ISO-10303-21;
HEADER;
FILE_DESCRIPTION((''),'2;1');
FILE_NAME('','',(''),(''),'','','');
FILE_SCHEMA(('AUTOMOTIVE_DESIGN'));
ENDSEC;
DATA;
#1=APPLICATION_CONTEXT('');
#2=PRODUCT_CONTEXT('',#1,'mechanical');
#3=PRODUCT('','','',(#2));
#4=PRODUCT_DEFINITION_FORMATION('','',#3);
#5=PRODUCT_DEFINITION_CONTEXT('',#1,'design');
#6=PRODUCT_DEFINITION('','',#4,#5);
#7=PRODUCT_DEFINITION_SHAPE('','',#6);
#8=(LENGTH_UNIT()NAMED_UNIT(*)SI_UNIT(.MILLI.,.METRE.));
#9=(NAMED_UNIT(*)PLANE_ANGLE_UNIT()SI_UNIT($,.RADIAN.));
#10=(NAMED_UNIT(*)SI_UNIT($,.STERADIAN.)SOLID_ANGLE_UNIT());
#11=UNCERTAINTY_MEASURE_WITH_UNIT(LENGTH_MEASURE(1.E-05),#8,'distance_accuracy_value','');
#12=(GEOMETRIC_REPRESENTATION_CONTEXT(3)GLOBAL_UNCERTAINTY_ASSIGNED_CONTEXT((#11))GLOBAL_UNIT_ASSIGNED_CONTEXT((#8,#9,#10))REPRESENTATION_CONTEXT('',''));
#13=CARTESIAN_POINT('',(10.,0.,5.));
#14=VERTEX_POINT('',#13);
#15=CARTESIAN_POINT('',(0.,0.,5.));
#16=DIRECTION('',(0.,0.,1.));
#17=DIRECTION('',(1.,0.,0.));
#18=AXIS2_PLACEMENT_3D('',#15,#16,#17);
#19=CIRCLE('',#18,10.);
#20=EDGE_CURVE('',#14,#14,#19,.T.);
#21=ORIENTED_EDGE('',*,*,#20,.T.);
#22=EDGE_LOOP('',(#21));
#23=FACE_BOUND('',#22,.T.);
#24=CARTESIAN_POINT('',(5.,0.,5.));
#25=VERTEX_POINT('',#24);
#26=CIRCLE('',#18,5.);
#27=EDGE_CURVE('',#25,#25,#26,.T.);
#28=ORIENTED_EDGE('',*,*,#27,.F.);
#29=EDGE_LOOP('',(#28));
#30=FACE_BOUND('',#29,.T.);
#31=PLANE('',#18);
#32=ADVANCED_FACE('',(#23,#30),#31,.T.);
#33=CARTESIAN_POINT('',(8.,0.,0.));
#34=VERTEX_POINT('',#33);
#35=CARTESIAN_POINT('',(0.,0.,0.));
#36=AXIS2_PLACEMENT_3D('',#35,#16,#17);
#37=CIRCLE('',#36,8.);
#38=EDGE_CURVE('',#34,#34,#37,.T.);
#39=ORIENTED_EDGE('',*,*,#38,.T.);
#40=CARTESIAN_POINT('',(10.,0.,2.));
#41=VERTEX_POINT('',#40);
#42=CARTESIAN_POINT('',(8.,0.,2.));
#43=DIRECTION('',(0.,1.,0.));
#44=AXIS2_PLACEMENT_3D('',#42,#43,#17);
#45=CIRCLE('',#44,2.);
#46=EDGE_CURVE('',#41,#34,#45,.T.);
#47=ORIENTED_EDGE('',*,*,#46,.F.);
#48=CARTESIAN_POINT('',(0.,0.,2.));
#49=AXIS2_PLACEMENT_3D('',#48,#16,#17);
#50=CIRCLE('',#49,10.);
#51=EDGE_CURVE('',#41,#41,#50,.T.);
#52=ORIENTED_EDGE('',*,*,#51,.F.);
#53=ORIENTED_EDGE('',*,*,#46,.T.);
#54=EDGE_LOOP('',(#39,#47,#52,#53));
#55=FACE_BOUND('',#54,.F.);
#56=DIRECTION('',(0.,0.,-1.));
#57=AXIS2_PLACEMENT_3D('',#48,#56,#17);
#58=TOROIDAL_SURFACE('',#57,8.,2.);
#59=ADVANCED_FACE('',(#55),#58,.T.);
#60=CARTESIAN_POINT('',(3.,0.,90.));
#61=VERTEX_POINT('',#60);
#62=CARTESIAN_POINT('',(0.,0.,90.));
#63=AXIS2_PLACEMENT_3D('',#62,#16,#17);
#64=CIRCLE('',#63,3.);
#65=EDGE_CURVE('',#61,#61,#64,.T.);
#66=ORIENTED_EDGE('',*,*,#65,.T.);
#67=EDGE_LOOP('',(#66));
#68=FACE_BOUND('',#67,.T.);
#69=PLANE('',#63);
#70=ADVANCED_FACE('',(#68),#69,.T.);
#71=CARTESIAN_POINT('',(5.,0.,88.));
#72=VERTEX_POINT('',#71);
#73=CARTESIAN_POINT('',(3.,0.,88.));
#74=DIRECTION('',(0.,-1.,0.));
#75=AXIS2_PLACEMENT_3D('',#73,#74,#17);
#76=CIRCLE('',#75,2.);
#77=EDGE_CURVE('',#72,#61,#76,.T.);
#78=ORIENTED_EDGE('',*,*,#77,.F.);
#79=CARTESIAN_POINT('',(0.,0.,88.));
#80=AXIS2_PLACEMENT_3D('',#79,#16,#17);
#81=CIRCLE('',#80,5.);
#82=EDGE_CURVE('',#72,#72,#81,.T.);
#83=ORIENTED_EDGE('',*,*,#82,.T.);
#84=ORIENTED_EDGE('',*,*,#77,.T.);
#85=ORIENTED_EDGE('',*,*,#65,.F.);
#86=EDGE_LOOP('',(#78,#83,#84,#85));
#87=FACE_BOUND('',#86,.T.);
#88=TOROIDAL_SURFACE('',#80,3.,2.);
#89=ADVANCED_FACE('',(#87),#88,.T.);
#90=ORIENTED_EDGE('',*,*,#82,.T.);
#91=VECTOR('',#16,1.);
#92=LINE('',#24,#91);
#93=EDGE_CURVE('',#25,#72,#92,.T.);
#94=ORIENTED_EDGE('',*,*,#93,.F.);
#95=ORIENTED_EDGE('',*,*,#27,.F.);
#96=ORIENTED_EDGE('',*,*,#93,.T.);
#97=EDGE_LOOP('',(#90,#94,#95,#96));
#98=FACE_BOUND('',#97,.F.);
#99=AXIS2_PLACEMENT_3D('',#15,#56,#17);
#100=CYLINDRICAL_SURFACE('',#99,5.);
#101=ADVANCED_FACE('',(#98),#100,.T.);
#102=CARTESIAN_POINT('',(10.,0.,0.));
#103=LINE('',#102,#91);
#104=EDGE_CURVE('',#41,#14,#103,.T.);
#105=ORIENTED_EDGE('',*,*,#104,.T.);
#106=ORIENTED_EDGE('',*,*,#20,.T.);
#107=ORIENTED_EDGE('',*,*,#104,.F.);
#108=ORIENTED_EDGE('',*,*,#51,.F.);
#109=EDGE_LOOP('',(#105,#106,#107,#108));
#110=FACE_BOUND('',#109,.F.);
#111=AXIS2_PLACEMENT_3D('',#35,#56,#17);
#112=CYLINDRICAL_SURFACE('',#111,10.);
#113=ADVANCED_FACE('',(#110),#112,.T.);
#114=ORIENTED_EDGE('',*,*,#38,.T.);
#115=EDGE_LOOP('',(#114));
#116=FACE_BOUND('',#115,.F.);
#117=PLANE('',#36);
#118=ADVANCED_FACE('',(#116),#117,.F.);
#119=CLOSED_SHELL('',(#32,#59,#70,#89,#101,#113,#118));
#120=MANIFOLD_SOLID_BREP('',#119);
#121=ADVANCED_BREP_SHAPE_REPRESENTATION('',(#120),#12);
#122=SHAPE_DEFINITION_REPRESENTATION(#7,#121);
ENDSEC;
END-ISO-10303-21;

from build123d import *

# Parameters (mm, degrees)
F0_R     = 10
F1_DEPTH = 5
F2_R     = 5
F3_DEPTH = 85
F4_R     = 2


with BuildPart() as f1:
    # F0 (on Top) → F1 (new body)
    with BuildSketch(Plane.XY):
        Circle(F0_R)
    extrude(amount=F1_DEPTH)

    # F2 (on face) → F3 (join)
    with BuildSketch(Plane.XY.offset(5)):
        Circle(F2_R)
    extrude(amount=F3_DEPTH)

    # F4
    f4_edges = [f1.edges().sort_by_distance(p)[0] for p in [
        (-5, 0, 90),
        (-10, 0, 0),
    ]]
    fillet(f4_edges, radius=F4_R)


solid = f1.part
